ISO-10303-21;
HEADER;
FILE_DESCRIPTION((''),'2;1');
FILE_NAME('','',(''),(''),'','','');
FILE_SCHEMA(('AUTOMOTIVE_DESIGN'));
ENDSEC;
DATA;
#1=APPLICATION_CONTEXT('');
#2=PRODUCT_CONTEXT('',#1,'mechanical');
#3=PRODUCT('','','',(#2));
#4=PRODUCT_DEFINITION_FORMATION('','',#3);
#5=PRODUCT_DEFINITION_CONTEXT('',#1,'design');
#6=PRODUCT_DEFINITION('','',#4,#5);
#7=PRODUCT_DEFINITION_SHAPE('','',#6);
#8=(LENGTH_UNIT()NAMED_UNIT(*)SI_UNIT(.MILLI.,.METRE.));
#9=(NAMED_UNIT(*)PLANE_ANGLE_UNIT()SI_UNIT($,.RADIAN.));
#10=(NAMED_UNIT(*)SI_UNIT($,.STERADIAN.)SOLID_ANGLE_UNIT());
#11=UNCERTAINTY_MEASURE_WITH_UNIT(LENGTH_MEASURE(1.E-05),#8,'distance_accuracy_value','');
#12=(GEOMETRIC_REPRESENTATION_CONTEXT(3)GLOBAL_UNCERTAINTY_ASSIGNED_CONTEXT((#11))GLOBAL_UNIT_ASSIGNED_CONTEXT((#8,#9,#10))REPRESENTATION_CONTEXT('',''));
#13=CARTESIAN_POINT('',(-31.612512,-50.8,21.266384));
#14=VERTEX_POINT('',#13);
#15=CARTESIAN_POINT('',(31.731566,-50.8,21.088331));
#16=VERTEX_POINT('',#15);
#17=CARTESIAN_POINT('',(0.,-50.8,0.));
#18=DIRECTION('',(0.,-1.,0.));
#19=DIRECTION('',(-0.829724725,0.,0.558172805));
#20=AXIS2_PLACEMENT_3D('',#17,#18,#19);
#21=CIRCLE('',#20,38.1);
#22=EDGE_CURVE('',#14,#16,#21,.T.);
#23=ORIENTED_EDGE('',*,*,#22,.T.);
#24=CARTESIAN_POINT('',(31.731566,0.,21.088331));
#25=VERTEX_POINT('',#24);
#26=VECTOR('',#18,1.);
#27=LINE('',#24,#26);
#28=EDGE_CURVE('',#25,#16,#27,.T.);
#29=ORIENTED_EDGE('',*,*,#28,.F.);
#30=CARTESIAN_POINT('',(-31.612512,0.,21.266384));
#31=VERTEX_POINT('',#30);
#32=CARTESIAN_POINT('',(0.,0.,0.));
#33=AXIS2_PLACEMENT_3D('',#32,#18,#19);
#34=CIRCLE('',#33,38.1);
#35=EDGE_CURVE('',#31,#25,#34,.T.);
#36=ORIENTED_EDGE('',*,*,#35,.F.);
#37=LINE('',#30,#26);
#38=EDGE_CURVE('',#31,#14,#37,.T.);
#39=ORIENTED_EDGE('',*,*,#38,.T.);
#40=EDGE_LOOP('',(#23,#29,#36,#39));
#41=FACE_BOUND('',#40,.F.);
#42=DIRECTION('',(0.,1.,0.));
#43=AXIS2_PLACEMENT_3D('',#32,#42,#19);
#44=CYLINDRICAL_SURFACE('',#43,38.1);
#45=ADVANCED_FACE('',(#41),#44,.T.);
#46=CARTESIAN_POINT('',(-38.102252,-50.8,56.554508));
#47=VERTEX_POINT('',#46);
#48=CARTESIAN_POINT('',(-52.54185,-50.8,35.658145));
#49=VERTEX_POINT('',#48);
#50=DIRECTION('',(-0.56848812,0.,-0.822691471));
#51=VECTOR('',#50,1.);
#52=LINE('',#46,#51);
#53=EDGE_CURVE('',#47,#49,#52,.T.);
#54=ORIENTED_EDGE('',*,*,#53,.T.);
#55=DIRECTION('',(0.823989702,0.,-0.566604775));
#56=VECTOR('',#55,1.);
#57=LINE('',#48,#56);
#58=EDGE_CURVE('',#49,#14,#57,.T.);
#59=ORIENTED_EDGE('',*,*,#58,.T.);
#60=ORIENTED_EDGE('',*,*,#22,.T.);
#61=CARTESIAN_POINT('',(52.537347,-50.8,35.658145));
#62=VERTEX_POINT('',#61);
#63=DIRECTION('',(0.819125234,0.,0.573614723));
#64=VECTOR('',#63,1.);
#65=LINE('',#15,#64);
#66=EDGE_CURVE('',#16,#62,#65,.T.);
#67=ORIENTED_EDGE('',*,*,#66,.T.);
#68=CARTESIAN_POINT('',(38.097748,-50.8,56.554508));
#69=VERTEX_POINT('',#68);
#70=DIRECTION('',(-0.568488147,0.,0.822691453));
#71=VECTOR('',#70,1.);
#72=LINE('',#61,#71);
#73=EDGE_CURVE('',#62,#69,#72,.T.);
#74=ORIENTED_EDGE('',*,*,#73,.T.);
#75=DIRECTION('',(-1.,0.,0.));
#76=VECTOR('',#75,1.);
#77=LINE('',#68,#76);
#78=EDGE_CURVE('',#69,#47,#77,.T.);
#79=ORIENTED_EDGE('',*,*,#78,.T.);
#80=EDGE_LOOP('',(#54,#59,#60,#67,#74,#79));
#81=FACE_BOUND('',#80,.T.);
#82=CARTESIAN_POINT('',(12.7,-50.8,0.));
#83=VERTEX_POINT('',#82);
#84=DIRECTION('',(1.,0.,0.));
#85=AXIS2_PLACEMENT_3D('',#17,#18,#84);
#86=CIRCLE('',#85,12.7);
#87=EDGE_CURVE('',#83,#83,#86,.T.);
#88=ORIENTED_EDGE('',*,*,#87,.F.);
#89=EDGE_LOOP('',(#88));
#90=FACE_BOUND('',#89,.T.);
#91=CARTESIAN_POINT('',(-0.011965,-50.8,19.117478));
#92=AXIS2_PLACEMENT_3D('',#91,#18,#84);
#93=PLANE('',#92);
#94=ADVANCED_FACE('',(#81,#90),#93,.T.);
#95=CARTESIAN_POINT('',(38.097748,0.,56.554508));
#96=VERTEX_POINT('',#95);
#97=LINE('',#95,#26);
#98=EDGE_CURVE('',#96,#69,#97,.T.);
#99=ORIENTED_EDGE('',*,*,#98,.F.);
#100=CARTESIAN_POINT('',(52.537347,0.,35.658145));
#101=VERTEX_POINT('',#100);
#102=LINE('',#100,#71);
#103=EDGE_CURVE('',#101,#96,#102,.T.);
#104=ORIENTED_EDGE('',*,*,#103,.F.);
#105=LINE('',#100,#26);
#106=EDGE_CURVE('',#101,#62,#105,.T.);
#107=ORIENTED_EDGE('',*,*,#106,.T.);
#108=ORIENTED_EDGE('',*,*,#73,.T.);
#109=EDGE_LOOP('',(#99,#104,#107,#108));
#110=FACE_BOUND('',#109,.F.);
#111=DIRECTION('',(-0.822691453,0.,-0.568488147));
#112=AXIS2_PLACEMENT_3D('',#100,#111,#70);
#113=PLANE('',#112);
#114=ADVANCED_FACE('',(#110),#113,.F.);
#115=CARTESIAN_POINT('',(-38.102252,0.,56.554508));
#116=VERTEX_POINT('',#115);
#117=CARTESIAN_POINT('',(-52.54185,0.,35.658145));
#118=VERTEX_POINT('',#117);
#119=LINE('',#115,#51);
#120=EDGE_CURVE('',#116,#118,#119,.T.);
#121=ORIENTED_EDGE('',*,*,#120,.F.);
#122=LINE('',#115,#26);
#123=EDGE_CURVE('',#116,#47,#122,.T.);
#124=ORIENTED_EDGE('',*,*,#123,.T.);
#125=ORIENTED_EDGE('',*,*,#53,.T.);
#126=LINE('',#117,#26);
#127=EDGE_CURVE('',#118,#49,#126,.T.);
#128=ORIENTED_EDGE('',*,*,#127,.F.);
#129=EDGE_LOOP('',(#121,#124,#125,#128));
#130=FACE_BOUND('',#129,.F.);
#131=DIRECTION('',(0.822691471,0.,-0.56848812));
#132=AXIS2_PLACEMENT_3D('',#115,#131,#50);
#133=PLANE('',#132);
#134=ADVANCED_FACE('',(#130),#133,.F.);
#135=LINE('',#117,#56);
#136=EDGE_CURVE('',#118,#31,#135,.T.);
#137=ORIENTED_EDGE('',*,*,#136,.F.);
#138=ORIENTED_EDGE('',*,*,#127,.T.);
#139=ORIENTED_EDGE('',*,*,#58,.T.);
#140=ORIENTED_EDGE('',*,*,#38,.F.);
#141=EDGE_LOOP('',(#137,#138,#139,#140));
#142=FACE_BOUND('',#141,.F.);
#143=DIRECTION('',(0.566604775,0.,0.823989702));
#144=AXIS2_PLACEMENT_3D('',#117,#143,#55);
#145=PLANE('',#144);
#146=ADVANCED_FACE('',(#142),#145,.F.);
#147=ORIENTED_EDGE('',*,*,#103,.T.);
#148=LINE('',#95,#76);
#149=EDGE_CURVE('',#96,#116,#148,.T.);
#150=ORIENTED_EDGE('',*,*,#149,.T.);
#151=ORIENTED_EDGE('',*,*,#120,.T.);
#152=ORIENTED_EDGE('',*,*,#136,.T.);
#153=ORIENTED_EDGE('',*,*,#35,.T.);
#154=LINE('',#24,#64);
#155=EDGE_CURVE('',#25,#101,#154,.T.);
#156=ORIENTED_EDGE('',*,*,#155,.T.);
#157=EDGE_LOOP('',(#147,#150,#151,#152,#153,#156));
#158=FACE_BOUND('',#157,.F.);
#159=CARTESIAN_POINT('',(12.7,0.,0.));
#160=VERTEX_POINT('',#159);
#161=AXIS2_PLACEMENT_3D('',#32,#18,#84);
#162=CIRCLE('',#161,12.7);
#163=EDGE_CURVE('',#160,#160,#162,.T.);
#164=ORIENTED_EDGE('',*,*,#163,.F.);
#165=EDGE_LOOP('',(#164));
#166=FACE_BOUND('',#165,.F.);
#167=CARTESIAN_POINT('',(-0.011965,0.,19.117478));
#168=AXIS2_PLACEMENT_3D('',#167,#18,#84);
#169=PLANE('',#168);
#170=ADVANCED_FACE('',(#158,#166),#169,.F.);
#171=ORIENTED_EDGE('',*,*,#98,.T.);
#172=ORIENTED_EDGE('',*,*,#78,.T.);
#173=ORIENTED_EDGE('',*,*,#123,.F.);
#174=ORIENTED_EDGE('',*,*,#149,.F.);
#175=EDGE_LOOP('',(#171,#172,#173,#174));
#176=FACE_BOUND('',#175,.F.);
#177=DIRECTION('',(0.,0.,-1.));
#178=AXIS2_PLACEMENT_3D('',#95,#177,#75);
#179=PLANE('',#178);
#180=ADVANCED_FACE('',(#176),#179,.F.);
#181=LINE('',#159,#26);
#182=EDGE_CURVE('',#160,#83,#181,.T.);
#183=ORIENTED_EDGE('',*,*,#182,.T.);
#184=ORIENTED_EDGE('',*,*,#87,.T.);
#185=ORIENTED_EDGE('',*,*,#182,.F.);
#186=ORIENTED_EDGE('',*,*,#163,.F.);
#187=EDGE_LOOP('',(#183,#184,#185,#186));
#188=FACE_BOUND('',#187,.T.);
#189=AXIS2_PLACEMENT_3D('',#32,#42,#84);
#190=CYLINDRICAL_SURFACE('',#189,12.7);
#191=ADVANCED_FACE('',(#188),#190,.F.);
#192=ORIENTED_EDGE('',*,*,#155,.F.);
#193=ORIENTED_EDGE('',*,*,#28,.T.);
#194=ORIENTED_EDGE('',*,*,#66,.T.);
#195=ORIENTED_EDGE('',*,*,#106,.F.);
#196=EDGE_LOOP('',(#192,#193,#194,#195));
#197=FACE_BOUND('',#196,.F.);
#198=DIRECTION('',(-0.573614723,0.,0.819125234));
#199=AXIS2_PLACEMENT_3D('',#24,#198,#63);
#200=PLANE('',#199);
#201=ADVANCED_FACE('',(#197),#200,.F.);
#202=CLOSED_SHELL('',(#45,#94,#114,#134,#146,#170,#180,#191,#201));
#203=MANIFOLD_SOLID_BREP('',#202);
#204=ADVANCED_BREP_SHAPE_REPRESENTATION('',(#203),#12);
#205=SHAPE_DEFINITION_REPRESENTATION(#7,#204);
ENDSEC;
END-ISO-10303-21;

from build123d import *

# Parameters (mm, degrees)
F0_R     = 12.7
F1_DEPTH = 50.8


with BuildPart() as f1:
    # F0 (on Front) → F1 (new body)
    with BuildSketch(Plane.XZ):
        with BuildLine():
            Line((-52.54185, 35.658145), (-31.612512, 21.266384))
            ThreePointArc((-31.612512, 21.266384), (-0.107094, -38.099849), (31.731566, 21.088331))
            Line((31.731566, 21.088331), (52.537347, 35.658145))
            Line((52.537347, 35.658145), (38.097748, 56.554508))
            Line((38.097748, 56.554508), (-38.102252, 56.554508))
            Line((-38.102252, 56.554508), (-52.54185, 35.658145))
        make_face()
        Circle(F0_R, mode=Mode.SUBTRACT)
    extrude(amount=F1_DEPTH)


solid = f1.part
